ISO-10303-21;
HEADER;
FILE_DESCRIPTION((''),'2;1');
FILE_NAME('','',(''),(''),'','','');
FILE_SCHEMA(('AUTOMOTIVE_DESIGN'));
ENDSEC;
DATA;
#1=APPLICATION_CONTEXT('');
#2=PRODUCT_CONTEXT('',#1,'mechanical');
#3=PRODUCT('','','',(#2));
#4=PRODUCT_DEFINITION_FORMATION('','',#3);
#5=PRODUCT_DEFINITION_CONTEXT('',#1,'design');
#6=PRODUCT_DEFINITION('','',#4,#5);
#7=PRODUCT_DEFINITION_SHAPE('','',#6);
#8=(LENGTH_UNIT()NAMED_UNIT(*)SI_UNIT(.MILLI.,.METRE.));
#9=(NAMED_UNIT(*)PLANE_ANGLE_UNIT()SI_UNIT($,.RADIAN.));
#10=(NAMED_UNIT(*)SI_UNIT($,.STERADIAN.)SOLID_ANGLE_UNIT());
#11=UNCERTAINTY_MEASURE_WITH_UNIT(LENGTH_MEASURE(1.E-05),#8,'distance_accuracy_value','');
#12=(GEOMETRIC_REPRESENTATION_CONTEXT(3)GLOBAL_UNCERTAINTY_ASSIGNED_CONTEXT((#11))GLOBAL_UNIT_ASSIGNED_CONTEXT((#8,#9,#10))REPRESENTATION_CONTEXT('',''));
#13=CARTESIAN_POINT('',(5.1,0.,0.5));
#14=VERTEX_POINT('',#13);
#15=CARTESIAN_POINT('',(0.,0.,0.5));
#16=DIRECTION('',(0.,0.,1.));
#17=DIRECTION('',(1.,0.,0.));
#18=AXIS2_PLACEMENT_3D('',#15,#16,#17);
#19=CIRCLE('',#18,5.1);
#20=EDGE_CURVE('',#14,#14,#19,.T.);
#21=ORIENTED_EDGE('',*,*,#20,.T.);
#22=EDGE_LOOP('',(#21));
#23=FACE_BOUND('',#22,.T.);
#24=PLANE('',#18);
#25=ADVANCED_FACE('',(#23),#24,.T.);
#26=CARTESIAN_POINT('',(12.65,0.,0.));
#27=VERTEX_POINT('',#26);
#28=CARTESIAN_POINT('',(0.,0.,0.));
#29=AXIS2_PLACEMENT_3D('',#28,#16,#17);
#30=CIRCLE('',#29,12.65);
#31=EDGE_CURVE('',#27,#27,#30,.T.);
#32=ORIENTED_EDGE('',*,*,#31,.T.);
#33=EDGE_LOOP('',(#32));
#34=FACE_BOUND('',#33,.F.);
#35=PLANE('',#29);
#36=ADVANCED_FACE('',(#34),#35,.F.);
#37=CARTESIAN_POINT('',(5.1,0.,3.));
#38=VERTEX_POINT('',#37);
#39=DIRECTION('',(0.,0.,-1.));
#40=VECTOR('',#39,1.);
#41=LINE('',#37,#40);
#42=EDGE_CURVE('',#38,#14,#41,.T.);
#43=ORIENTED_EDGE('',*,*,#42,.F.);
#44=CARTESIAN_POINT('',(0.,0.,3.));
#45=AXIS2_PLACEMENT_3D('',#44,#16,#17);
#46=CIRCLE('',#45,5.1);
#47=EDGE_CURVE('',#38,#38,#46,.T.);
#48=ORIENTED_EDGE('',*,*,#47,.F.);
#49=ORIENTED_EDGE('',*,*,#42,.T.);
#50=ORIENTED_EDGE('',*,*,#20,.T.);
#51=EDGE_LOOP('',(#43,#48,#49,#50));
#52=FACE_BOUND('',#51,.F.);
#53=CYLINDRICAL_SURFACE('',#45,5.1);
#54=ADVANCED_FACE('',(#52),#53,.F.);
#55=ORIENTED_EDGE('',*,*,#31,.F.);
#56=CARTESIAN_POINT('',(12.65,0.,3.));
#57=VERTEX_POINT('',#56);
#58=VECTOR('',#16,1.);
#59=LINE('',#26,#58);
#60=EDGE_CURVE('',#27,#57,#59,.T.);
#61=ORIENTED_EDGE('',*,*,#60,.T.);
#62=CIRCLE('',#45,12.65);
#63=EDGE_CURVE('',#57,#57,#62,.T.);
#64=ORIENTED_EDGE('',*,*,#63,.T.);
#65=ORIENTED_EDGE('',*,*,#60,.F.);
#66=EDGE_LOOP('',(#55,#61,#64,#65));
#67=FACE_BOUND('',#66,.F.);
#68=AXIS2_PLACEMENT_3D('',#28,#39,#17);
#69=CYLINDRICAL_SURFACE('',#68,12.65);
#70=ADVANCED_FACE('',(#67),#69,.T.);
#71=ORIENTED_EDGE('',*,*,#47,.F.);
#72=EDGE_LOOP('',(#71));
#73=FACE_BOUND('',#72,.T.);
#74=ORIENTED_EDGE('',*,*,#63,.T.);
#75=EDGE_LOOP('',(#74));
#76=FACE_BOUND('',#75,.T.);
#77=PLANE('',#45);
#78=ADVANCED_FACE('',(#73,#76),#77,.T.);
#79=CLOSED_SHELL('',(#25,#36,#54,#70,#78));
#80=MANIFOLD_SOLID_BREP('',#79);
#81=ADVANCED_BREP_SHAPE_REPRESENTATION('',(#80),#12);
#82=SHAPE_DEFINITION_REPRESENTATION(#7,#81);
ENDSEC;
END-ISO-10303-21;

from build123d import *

# Parameters (mm, degrees)
SKETCH_R     = 12.65
PAD_DEPTH    = 3
SKETCH001_R  = 5.1
POCKET_DEPTH = 2.5


with BuildPart() as part:
    # Sketch → Pad (new body)
    with BuildSketch(Plane.XY):
        Circle(SKETCH_R)
    extrude(amount=PAD_DEPTH)

    # Sketch001 (on Face3 of Pad) → Pocket (cut)
    with BuildSketch(Plane.XY.offset(3)):
        Circle(SKETCH001_R)
    extrude(amount=-POCKET_DEPTH, mode=Mode.SUBTRACT)


solid = part.part
